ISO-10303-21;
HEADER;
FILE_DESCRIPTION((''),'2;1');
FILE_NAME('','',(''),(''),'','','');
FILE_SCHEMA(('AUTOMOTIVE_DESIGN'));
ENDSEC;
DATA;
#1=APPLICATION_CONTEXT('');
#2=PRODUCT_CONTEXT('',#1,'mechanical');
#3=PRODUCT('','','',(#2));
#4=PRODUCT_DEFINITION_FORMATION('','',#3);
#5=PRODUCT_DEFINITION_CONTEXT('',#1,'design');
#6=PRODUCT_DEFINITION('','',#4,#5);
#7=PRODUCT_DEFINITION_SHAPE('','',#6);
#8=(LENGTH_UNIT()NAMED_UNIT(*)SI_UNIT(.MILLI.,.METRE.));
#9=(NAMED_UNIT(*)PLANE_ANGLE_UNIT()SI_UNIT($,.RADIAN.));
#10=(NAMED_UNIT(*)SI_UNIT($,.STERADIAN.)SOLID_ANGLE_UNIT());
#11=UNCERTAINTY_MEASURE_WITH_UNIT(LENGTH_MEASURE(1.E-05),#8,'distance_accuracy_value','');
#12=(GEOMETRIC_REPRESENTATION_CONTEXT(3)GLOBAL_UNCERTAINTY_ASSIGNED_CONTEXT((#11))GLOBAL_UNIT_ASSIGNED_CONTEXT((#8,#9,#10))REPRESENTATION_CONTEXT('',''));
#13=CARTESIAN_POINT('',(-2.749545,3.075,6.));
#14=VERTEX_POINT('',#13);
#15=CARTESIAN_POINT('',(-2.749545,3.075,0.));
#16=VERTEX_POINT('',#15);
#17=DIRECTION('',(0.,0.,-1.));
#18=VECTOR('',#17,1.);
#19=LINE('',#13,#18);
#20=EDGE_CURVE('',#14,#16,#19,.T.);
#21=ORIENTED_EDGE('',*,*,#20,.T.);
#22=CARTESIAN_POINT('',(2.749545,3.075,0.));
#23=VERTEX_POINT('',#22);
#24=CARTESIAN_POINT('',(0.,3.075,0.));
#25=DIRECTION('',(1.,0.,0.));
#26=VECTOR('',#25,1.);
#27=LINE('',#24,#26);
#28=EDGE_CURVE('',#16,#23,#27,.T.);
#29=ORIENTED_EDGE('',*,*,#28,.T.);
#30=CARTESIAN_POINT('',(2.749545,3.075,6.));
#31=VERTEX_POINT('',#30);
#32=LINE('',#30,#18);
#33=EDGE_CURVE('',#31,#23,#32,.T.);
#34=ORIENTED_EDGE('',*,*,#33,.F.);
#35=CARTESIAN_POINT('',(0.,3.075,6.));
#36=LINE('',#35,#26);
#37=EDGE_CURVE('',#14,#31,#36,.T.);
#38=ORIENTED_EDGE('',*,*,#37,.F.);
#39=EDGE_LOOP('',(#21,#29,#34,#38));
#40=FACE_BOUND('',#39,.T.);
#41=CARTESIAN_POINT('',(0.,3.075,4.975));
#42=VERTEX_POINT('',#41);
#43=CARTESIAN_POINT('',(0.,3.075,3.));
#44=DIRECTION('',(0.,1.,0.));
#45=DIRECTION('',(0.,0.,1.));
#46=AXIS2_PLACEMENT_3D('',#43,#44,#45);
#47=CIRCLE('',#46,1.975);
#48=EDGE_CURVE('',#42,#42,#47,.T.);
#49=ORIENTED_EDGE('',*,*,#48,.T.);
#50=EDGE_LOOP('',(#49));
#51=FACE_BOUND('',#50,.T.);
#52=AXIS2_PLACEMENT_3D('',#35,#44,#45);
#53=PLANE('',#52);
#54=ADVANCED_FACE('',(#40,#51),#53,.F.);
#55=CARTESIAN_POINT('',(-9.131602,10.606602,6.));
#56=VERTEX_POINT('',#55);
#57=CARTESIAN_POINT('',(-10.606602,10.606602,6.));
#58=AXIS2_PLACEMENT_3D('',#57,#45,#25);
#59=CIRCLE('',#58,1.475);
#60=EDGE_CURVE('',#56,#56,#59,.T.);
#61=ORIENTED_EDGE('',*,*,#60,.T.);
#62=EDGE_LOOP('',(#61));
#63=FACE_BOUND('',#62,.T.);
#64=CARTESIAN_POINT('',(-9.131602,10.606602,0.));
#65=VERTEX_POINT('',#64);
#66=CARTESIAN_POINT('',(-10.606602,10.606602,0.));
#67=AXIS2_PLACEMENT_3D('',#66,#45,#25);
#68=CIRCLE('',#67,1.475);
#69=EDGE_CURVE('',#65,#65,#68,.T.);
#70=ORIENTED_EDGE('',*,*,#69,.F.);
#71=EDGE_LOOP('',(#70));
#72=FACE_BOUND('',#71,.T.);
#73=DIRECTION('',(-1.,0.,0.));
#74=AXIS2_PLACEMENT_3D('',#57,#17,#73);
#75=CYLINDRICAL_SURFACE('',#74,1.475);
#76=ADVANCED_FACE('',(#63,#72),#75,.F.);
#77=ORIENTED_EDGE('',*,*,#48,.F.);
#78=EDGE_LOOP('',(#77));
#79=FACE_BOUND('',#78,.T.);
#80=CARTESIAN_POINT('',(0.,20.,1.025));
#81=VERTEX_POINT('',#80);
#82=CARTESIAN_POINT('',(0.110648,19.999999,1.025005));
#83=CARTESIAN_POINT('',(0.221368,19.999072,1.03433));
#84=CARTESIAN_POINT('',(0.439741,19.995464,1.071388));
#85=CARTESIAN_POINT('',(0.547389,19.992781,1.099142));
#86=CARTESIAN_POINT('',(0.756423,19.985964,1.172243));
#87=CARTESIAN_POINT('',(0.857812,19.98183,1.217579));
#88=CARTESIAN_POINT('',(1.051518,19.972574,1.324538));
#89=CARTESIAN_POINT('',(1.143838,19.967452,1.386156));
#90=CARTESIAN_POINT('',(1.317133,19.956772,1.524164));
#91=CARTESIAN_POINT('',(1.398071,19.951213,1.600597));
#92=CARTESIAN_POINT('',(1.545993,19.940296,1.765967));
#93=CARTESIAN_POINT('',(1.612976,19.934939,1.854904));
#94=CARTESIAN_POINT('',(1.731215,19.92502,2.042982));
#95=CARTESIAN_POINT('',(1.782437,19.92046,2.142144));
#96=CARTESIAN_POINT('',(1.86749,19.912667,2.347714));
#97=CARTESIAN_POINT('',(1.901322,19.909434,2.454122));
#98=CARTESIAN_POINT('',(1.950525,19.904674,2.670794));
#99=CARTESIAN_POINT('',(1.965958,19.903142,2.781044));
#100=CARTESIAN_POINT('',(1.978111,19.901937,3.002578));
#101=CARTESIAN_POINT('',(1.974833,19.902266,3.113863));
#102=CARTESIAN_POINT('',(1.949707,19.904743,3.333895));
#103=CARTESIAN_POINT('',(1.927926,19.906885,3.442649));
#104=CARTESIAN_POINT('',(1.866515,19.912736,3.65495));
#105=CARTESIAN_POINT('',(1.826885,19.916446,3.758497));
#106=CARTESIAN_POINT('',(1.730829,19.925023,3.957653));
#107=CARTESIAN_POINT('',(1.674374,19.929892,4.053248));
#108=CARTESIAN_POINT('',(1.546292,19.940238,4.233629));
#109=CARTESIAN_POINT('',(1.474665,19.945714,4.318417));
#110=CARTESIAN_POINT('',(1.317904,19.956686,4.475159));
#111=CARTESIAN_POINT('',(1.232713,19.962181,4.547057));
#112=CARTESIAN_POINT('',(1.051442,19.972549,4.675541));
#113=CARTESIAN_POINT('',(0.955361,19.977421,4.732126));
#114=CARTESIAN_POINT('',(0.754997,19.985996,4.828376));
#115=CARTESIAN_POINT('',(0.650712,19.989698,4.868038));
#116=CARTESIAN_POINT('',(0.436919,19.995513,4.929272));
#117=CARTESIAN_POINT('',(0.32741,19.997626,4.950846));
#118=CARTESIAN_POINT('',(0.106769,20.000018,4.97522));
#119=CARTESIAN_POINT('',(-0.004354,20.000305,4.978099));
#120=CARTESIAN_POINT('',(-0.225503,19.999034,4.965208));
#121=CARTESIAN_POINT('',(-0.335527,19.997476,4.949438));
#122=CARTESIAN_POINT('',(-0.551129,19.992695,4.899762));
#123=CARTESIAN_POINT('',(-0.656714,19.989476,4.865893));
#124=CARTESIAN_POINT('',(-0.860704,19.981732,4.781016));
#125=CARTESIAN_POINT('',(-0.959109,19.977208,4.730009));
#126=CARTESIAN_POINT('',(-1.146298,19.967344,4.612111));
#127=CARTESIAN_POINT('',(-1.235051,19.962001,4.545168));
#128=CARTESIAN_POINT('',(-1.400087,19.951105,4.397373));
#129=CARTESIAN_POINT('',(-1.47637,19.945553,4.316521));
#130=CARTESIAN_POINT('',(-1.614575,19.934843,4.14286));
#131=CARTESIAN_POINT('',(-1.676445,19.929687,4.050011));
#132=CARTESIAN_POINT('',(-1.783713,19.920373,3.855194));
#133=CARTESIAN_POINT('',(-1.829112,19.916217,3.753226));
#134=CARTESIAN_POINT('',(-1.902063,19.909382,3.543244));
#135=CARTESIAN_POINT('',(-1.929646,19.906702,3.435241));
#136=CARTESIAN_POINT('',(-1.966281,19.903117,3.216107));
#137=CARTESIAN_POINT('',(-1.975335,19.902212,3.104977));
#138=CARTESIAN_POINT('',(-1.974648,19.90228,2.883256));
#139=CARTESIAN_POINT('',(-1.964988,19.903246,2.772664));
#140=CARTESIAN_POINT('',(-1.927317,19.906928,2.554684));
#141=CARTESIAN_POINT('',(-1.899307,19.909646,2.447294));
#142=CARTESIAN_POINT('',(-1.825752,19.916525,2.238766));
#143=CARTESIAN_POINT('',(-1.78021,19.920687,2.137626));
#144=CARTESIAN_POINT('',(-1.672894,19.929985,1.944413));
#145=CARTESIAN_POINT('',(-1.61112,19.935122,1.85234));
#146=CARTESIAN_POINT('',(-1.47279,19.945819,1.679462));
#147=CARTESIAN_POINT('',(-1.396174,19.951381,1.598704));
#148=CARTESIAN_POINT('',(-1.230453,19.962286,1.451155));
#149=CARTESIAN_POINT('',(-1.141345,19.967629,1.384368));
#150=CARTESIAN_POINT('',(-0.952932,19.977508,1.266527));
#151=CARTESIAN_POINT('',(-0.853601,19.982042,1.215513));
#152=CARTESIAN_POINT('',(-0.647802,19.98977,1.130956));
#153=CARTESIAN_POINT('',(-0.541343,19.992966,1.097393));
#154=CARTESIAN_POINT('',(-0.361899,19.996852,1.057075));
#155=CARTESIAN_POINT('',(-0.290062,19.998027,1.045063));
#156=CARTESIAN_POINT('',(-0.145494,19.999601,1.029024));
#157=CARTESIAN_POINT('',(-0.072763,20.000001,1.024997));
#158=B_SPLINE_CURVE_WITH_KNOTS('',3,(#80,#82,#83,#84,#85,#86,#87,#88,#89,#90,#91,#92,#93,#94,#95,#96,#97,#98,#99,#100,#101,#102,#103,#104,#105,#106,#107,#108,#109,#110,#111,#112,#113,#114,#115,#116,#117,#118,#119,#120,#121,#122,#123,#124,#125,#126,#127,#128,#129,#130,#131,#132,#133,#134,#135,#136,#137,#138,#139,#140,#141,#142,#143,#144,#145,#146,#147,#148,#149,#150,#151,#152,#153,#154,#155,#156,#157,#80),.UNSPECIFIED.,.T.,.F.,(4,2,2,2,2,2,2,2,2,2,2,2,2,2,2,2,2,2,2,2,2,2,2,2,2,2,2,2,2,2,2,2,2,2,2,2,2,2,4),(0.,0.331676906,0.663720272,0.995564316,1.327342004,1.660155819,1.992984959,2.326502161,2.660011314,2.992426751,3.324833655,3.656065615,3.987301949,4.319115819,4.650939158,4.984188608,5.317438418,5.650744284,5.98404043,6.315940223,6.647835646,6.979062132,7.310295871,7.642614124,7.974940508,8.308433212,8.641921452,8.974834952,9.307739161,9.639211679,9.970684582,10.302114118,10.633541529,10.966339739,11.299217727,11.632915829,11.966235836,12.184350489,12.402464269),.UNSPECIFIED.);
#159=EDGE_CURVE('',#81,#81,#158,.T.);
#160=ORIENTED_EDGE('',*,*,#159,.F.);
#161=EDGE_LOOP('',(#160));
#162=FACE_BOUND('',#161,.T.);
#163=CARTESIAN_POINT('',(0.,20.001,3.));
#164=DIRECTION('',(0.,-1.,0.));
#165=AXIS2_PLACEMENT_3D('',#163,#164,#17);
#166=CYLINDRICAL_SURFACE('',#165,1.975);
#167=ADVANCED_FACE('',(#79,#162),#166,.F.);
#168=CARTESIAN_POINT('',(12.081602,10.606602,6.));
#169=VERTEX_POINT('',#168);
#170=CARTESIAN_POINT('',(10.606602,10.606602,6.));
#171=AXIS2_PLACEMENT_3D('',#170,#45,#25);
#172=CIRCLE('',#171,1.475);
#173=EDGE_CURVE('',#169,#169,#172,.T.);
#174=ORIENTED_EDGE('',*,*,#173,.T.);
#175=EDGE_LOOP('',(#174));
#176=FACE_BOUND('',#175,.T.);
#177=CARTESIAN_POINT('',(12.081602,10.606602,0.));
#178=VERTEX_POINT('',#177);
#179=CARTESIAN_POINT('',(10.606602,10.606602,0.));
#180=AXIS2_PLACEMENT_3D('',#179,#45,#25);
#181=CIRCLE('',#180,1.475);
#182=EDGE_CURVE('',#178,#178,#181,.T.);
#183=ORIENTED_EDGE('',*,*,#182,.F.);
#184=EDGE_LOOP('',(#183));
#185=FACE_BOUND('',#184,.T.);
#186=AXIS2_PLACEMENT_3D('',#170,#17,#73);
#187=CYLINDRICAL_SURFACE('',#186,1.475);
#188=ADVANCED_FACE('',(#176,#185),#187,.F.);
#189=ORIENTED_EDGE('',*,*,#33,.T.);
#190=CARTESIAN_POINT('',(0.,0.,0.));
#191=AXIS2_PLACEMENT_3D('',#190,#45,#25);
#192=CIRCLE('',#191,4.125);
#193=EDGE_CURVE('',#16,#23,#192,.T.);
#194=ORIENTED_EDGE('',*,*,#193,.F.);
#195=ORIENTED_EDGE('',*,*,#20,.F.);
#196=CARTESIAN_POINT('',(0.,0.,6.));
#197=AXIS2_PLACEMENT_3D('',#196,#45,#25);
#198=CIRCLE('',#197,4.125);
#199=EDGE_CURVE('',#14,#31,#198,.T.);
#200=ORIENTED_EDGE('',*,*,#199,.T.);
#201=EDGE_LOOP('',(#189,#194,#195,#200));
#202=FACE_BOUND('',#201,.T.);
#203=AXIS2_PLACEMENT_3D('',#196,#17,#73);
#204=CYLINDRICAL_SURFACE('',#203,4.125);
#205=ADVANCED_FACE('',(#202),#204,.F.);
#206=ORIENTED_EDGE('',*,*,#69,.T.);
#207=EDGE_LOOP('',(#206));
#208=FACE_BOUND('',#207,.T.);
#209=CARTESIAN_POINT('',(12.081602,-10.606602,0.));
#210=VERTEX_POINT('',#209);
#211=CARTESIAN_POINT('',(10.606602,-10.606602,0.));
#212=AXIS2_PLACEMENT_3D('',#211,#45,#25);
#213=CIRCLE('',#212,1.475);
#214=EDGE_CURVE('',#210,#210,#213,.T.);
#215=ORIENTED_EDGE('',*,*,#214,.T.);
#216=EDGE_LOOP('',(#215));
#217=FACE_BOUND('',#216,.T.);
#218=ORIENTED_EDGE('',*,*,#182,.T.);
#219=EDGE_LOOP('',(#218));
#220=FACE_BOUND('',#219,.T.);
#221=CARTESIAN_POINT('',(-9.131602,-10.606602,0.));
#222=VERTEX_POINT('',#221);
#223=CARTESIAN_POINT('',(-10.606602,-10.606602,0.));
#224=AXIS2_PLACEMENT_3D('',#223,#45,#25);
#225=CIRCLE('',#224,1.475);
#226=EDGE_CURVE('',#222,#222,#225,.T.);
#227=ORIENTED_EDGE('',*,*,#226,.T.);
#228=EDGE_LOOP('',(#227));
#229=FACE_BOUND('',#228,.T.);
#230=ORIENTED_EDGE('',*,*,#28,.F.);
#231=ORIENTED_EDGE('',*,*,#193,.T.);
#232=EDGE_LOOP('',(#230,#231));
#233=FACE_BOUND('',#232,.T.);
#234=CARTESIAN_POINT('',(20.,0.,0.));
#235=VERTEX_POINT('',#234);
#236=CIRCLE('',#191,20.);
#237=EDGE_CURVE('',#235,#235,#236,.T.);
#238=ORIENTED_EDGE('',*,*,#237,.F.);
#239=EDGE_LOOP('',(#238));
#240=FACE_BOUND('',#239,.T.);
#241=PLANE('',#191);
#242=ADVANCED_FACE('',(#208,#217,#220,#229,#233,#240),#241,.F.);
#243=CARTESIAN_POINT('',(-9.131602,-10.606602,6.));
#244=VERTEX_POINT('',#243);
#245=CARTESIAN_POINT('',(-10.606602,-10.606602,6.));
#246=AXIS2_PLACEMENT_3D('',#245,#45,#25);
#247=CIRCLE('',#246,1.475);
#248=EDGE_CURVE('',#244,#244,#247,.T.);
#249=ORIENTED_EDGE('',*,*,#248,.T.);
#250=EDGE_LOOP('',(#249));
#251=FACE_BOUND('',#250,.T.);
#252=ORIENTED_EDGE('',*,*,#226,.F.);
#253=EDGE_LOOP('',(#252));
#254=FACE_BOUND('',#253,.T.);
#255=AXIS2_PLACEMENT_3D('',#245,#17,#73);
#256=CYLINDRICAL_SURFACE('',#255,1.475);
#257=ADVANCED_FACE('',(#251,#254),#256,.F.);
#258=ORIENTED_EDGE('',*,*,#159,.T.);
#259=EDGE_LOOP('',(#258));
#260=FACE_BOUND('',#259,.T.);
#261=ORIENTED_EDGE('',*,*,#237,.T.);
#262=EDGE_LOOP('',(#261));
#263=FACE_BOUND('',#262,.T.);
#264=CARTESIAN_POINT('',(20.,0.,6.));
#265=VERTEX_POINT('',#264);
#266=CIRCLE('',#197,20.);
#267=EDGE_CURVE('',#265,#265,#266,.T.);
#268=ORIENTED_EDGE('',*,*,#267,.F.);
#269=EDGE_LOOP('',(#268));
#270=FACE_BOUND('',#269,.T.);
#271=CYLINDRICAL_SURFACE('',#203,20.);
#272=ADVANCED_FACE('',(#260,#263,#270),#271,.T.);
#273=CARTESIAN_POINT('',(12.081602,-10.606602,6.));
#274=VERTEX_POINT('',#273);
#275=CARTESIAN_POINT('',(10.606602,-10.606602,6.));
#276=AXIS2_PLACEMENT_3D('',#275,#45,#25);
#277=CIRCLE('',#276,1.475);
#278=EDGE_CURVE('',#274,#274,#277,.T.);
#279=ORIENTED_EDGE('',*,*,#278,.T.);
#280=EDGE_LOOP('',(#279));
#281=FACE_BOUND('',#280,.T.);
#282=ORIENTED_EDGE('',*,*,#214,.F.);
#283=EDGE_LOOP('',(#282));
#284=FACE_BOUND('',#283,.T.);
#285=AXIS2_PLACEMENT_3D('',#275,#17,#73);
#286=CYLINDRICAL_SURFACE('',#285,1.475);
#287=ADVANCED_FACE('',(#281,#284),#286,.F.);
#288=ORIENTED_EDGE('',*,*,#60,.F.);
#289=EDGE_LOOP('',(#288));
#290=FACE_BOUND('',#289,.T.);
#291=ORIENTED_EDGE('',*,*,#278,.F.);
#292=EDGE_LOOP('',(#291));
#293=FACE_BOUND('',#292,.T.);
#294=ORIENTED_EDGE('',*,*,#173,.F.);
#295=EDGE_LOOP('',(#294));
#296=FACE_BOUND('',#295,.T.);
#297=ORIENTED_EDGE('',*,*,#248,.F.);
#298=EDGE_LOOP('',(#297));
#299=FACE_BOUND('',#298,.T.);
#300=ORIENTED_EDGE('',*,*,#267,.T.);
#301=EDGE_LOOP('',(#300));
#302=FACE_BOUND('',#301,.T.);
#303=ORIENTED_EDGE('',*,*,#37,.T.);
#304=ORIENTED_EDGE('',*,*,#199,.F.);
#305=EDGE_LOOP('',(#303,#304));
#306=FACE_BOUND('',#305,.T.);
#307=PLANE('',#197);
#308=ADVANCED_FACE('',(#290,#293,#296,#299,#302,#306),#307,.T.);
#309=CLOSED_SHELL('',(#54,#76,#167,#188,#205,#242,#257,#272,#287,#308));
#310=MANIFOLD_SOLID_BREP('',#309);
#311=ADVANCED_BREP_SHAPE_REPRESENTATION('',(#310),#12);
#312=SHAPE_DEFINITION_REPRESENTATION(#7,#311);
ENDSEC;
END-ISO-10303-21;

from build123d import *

# Parameters (mm, degrees)
SKETCH1_R               = 20
SKETCH1_R_2             = 1.475
BOSS_EXTRUDE1_DEPTH     = 6
CUT_EXTRUDE1_REACH      = 30.914
CUT_EXTRUDE1_END_RADIUS = 20
SKETCH2_R               = 1.975


with BuildPart() as part:
    # Sketch1 → Boss-Extrude1 (new body)
    # profile 1 of 2: a face of its own
    with BuildSketch(Plane.XY):
        Circle(SKETCH1_R)
        with Locations((-10.606601718, -10.606601718)):
            Circle(SKETCH1_R_2, mode=Mode.SUBTRACT)
        with Locations((10.606601718, -10.606601718)):
            Circle(SKETCH1_R_2, mode=Mode.SUBTRACT)
        with Locations((-10.606601718, 10.606601718)):
            Circle(SKETCH1_R_2, mode=Mode.SUBTRACT)
        with BuildLine():
            ThreePointArc((4.125, 0), (-1.684302549, -3.765468088), (-2.749545417, 3.075))
            ThreePointArc((-2.749545417, 3.075), (0, 4.125), (2.749545417, 3.075))
            ThreePointArc((2.749545417, 3.075), (3.765468088, 1.684302549), (4.125, 0))
        make_face(mode=Mode.SUBTRACT)
        with Locations((10.606601718, 10.606601718)):
            Circle(SKETCH1_R_2, mode=Mode.SUBTRACT)
    # profile 2 of 2: a face of its own
    with BuildSketch(Plane.XY):
        with BuildLine():
            ThreePointArc((2.749545417, 3.075), (0, 4.125), (-2.749545417, 3.075))
            Line((-2.749545417, 3.075), (2.749545417, 3.075))
        make_face()
    extrude(amount=BOSS_EXTRUDE1_DEPTH)

    # Cut-Extrude1: up to this cylinder (the profile starts inside it)
    cut_extrude1_end = Plane(origin=(0, 0, 3), z_dir=(0, 0, -1)) * Cylinder(CUT_EXTRUDE1_END_RADIUS, 102.828, mode=Mode.PRIVATE)
    # Sketch2 → Cut-Extrude1 (cut, up to the surface)
    with BuildSketch(Plane(origin=(0, 0, 0), x_dir=(1, 0, 0), z_dir=(0, 1, 0)), mode=Mode.PRIVATE) as cut_extrude1_sk1:
        with Locations(Location((0, -3, 0), (0, 0, 90))):
            Circle(SKETCH2_R)
    cut_extrude1_tool1 = extrude(cut_extrude1_sk1.sketch, amount=CUT_EXTRUDE1_REACH, mode=Mode.PRIVATE) & cut_extrude1_end
    add(cut_extrude1_tool1.solids().sort_by_distance((0, 0, 3))[0], mode=Mode.SUBTRACT)


solid = part.part
